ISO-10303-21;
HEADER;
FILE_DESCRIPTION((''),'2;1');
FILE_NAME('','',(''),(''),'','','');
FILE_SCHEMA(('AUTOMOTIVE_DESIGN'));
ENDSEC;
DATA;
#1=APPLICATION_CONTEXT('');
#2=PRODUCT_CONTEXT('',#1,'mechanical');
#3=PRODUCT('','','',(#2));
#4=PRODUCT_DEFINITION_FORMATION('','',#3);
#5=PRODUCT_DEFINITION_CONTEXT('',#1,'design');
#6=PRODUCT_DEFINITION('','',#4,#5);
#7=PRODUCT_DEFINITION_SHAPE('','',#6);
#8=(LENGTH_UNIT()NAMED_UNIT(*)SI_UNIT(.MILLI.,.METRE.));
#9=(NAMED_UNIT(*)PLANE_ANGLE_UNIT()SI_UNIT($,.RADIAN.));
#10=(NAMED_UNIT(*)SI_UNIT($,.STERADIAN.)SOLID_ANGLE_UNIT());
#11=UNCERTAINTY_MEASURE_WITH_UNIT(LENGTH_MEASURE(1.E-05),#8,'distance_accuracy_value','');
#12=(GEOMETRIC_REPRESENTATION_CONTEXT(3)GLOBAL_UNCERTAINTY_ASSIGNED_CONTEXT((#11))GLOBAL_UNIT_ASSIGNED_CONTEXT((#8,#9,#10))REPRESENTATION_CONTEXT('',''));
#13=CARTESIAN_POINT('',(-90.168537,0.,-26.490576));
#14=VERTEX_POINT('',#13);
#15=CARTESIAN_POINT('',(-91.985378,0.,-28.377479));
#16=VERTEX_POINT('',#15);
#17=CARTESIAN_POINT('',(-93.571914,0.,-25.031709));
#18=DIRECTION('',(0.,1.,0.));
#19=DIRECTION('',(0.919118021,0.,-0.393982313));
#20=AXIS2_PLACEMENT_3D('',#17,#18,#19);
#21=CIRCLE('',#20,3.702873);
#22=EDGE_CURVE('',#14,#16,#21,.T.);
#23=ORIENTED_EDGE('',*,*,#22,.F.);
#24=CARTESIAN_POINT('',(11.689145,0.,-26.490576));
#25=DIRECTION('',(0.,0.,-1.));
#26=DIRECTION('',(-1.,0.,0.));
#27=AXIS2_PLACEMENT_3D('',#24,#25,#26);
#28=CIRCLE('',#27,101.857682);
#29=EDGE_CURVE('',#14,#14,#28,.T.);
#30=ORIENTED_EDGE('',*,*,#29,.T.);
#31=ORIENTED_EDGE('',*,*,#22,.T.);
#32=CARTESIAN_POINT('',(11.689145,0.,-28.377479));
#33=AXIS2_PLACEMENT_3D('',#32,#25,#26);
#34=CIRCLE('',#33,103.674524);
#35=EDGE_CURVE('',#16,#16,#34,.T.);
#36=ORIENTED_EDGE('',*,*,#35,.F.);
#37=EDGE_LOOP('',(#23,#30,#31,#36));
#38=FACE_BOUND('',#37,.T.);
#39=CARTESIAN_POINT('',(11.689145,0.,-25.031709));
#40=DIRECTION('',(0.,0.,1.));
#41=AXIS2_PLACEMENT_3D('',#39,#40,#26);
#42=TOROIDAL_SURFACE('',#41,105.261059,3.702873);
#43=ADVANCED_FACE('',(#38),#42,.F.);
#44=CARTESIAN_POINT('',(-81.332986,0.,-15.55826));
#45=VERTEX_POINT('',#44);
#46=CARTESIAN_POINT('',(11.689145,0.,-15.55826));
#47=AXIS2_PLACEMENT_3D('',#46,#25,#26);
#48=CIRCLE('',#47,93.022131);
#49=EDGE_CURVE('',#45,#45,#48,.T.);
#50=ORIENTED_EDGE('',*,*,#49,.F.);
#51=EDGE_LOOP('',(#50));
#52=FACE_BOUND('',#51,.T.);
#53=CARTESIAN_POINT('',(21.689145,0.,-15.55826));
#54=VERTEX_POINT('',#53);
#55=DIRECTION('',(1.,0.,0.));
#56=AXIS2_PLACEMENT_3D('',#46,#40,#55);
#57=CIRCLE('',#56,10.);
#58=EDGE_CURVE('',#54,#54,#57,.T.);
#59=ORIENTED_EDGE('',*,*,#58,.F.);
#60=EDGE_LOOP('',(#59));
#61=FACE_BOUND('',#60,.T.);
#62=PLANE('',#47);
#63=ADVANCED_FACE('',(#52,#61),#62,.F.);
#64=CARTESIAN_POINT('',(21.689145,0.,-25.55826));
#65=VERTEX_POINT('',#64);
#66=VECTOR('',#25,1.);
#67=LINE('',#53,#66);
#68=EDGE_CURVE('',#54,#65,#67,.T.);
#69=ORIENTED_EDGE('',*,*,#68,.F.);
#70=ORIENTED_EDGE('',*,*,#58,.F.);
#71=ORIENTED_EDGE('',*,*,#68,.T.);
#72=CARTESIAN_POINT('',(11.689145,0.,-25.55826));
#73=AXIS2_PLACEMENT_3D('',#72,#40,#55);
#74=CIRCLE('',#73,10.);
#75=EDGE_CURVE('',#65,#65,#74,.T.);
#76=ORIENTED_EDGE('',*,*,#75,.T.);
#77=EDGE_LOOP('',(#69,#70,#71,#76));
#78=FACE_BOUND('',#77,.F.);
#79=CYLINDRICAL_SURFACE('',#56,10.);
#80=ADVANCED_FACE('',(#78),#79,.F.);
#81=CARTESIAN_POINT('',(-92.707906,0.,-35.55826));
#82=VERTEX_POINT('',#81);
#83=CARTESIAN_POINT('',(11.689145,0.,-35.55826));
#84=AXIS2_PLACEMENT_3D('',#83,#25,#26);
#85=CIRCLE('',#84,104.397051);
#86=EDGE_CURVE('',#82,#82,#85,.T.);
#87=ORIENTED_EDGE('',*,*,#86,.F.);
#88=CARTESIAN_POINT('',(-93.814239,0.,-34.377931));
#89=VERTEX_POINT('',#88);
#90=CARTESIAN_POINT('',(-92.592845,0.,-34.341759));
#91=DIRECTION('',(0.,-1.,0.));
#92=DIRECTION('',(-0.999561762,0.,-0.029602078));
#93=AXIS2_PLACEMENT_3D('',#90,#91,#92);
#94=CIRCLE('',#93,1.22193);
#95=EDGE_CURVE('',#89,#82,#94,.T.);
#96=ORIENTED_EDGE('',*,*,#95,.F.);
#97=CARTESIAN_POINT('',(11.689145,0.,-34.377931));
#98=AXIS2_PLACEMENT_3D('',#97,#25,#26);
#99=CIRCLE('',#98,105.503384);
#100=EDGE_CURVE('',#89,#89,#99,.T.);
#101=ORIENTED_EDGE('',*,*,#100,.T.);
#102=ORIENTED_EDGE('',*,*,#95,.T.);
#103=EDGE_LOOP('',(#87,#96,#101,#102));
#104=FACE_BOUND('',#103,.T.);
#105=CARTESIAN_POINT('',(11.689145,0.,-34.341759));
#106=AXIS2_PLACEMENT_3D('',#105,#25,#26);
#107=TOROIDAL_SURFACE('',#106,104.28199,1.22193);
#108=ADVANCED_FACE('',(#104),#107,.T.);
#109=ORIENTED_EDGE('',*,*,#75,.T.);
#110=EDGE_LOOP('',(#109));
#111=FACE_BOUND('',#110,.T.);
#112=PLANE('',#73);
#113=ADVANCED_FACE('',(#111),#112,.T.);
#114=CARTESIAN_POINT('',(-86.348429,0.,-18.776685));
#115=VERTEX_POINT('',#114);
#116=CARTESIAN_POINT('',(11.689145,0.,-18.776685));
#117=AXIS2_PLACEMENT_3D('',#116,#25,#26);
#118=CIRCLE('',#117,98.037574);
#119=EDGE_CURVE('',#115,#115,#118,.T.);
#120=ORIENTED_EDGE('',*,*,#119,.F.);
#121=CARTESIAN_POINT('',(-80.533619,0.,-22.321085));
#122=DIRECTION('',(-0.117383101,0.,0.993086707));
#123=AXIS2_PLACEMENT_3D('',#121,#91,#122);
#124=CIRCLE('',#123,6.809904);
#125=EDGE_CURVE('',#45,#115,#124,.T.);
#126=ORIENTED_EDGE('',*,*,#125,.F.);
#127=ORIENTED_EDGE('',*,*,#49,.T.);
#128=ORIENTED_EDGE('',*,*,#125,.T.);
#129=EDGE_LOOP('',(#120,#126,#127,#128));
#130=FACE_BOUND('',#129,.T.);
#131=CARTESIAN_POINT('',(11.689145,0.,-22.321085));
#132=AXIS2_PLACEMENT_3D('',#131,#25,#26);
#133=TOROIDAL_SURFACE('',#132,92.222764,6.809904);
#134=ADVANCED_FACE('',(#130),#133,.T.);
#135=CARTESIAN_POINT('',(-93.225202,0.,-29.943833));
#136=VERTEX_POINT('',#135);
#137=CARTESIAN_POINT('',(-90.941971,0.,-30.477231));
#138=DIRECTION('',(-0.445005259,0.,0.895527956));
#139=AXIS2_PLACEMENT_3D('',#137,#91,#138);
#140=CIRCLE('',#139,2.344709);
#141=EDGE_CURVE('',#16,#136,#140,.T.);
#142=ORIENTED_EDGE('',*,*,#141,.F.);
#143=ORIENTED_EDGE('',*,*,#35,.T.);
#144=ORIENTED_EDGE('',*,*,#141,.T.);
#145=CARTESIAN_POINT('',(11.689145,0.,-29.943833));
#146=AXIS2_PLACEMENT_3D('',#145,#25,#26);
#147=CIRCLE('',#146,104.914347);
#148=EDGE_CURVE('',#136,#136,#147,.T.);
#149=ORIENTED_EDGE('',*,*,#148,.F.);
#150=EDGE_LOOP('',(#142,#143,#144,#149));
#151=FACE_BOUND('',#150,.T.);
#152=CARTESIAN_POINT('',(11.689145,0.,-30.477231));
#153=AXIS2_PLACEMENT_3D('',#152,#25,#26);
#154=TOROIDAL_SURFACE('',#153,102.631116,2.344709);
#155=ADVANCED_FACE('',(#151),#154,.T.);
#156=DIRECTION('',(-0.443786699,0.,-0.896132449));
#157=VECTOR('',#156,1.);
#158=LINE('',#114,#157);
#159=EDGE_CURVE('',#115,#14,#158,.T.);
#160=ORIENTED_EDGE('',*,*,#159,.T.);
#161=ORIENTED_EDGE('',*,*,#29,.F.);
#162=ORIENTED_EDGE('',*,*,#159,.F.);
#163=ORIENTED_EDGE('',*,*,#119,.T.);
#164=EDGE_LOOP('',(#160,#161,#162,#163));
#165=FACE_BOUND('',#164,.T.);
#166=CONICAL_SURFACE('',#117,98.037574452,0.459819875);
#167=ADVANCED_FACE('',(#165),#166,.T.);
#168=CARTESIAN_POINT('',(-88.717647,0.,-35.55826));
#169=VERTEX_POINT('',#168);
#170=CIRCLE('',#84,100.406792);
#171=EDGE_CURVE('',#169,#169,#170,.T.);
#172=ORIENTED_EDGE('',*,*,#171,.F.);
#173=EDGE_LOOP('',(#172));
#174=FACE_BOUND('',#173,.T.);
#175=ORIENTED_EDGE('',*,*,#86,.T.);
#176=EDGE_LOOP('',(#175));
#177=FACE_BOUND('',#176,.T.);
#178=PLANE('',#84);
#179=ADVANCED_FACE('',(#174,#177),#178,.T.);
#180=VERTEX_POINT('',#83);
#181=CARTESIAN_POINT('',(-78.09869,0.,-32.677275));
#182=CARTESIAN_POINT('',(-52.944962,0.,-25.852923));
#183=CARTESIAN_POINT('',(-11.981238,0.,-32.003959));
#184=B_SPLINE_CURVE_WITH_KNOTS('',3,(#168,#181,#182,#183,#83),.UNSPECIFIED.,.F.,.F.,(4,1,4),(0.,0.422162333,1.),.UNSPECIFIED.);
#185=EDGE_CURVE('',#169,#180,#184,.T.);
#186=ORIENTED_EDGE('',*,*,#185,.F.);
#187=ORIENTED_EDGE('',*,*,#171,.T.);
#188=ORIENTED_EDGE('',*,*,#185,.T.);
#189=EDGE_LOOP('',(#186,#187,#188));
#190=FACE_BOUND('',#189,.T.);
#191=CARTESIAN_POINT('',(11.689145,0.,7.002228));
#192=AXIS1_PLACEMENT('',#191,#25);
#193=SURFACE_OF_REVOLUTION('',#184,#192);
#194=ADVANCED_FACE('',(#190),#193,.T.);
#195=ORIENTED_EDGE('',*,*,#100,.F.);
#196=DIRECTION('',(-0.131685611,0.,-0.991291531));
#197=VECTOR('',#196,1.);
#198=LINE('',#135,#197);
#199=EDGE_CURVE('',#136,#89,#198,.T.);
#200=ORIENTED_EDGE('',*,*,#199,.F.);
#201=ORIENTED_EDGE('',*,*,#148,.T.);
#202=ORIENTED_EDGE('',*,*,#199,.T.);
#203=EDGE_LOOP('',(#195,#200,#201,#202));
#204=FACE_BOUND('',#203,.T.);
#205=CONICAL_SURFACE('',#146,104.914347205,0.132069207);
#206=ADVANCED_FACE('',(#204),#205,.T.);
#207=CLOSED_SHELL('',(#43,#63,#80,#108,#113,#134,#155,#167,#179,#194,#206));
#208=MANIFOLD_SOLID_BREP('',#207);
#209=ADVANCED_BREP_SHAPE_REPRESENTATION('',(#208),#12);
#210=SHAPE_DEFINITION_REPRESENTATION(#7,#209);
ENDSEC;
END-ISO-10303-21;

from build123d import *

# Parameters (mm, degrees)
F2_R     = 10
F3_DEPTH = 10


with BuildPart() as f1:
    # F0 (on Front) → F1 (revolve)
    with BuildSketch(Plane.XZ):
        with BuildLine():
            Line((11.689145118, -35.5582595617), (11.689145118, -15.5582595617))
            Line((11.689145118, -15.5582595617), (-81.3329861734, -15.5582595617))
            ThreePointArc((-81.3329861734, -15.5582595617), (-84.211444681, -16.5897334558), (-86.3484293338, -18.7766852998))
            Line((-86.3484293338, -18.7766852998), (-90.1685365005, -26.4905757821))
            ThreePointArc((-90.1685365005, -26.4905757821), (-90.9045353216, -27.6000474155), (-91.9853784144, -28.3774789423))
            ThreePointArc((-91.9853784144, -28.3774789423), (-92.7804477917, -29.0220125857), (-93.2252020866, -29.9438328227))
            Line((-93.2252020866, -29.9438328227), (-93.8142386214, -34.3779310194))
            ThreePointArc((-93.8142386214, -34.3779310194), (-93.4843724367, -35.1773967677), (-92.7079056218, -35.5582595617))
            Line((-92.7079056218, -35.5582595617), (-88.7176468968, -35.5582595617))
            add(Edge.make_bspline(
                [(-88.7176468968, -35.5582595617), (-78.0986901929, -32.6772750403), (-52.9449616904, -25.852922659), (-11.9812376311, -32.0039590454), (11.689145118, -35.5582595617)],
                knots=[0, 0, 0, 0, 0.4221623328, 1, 1, 1, 1], degree=3))
        make_face()
    revolve(axis=Axis((11.689145118, 0, 7.002228424), (0, 0, -1)))

    # F2 (on face) → F3 (cut)
    with BuildSketch(Plane.XY.offset(-15.5582595617)):
        with Locations((11.689145118, 0)):
            Circle(F2_R)
    extrude(amount=-F3_DEPTH, mode=Mode.SUBTRACT)


solid = f1.part
